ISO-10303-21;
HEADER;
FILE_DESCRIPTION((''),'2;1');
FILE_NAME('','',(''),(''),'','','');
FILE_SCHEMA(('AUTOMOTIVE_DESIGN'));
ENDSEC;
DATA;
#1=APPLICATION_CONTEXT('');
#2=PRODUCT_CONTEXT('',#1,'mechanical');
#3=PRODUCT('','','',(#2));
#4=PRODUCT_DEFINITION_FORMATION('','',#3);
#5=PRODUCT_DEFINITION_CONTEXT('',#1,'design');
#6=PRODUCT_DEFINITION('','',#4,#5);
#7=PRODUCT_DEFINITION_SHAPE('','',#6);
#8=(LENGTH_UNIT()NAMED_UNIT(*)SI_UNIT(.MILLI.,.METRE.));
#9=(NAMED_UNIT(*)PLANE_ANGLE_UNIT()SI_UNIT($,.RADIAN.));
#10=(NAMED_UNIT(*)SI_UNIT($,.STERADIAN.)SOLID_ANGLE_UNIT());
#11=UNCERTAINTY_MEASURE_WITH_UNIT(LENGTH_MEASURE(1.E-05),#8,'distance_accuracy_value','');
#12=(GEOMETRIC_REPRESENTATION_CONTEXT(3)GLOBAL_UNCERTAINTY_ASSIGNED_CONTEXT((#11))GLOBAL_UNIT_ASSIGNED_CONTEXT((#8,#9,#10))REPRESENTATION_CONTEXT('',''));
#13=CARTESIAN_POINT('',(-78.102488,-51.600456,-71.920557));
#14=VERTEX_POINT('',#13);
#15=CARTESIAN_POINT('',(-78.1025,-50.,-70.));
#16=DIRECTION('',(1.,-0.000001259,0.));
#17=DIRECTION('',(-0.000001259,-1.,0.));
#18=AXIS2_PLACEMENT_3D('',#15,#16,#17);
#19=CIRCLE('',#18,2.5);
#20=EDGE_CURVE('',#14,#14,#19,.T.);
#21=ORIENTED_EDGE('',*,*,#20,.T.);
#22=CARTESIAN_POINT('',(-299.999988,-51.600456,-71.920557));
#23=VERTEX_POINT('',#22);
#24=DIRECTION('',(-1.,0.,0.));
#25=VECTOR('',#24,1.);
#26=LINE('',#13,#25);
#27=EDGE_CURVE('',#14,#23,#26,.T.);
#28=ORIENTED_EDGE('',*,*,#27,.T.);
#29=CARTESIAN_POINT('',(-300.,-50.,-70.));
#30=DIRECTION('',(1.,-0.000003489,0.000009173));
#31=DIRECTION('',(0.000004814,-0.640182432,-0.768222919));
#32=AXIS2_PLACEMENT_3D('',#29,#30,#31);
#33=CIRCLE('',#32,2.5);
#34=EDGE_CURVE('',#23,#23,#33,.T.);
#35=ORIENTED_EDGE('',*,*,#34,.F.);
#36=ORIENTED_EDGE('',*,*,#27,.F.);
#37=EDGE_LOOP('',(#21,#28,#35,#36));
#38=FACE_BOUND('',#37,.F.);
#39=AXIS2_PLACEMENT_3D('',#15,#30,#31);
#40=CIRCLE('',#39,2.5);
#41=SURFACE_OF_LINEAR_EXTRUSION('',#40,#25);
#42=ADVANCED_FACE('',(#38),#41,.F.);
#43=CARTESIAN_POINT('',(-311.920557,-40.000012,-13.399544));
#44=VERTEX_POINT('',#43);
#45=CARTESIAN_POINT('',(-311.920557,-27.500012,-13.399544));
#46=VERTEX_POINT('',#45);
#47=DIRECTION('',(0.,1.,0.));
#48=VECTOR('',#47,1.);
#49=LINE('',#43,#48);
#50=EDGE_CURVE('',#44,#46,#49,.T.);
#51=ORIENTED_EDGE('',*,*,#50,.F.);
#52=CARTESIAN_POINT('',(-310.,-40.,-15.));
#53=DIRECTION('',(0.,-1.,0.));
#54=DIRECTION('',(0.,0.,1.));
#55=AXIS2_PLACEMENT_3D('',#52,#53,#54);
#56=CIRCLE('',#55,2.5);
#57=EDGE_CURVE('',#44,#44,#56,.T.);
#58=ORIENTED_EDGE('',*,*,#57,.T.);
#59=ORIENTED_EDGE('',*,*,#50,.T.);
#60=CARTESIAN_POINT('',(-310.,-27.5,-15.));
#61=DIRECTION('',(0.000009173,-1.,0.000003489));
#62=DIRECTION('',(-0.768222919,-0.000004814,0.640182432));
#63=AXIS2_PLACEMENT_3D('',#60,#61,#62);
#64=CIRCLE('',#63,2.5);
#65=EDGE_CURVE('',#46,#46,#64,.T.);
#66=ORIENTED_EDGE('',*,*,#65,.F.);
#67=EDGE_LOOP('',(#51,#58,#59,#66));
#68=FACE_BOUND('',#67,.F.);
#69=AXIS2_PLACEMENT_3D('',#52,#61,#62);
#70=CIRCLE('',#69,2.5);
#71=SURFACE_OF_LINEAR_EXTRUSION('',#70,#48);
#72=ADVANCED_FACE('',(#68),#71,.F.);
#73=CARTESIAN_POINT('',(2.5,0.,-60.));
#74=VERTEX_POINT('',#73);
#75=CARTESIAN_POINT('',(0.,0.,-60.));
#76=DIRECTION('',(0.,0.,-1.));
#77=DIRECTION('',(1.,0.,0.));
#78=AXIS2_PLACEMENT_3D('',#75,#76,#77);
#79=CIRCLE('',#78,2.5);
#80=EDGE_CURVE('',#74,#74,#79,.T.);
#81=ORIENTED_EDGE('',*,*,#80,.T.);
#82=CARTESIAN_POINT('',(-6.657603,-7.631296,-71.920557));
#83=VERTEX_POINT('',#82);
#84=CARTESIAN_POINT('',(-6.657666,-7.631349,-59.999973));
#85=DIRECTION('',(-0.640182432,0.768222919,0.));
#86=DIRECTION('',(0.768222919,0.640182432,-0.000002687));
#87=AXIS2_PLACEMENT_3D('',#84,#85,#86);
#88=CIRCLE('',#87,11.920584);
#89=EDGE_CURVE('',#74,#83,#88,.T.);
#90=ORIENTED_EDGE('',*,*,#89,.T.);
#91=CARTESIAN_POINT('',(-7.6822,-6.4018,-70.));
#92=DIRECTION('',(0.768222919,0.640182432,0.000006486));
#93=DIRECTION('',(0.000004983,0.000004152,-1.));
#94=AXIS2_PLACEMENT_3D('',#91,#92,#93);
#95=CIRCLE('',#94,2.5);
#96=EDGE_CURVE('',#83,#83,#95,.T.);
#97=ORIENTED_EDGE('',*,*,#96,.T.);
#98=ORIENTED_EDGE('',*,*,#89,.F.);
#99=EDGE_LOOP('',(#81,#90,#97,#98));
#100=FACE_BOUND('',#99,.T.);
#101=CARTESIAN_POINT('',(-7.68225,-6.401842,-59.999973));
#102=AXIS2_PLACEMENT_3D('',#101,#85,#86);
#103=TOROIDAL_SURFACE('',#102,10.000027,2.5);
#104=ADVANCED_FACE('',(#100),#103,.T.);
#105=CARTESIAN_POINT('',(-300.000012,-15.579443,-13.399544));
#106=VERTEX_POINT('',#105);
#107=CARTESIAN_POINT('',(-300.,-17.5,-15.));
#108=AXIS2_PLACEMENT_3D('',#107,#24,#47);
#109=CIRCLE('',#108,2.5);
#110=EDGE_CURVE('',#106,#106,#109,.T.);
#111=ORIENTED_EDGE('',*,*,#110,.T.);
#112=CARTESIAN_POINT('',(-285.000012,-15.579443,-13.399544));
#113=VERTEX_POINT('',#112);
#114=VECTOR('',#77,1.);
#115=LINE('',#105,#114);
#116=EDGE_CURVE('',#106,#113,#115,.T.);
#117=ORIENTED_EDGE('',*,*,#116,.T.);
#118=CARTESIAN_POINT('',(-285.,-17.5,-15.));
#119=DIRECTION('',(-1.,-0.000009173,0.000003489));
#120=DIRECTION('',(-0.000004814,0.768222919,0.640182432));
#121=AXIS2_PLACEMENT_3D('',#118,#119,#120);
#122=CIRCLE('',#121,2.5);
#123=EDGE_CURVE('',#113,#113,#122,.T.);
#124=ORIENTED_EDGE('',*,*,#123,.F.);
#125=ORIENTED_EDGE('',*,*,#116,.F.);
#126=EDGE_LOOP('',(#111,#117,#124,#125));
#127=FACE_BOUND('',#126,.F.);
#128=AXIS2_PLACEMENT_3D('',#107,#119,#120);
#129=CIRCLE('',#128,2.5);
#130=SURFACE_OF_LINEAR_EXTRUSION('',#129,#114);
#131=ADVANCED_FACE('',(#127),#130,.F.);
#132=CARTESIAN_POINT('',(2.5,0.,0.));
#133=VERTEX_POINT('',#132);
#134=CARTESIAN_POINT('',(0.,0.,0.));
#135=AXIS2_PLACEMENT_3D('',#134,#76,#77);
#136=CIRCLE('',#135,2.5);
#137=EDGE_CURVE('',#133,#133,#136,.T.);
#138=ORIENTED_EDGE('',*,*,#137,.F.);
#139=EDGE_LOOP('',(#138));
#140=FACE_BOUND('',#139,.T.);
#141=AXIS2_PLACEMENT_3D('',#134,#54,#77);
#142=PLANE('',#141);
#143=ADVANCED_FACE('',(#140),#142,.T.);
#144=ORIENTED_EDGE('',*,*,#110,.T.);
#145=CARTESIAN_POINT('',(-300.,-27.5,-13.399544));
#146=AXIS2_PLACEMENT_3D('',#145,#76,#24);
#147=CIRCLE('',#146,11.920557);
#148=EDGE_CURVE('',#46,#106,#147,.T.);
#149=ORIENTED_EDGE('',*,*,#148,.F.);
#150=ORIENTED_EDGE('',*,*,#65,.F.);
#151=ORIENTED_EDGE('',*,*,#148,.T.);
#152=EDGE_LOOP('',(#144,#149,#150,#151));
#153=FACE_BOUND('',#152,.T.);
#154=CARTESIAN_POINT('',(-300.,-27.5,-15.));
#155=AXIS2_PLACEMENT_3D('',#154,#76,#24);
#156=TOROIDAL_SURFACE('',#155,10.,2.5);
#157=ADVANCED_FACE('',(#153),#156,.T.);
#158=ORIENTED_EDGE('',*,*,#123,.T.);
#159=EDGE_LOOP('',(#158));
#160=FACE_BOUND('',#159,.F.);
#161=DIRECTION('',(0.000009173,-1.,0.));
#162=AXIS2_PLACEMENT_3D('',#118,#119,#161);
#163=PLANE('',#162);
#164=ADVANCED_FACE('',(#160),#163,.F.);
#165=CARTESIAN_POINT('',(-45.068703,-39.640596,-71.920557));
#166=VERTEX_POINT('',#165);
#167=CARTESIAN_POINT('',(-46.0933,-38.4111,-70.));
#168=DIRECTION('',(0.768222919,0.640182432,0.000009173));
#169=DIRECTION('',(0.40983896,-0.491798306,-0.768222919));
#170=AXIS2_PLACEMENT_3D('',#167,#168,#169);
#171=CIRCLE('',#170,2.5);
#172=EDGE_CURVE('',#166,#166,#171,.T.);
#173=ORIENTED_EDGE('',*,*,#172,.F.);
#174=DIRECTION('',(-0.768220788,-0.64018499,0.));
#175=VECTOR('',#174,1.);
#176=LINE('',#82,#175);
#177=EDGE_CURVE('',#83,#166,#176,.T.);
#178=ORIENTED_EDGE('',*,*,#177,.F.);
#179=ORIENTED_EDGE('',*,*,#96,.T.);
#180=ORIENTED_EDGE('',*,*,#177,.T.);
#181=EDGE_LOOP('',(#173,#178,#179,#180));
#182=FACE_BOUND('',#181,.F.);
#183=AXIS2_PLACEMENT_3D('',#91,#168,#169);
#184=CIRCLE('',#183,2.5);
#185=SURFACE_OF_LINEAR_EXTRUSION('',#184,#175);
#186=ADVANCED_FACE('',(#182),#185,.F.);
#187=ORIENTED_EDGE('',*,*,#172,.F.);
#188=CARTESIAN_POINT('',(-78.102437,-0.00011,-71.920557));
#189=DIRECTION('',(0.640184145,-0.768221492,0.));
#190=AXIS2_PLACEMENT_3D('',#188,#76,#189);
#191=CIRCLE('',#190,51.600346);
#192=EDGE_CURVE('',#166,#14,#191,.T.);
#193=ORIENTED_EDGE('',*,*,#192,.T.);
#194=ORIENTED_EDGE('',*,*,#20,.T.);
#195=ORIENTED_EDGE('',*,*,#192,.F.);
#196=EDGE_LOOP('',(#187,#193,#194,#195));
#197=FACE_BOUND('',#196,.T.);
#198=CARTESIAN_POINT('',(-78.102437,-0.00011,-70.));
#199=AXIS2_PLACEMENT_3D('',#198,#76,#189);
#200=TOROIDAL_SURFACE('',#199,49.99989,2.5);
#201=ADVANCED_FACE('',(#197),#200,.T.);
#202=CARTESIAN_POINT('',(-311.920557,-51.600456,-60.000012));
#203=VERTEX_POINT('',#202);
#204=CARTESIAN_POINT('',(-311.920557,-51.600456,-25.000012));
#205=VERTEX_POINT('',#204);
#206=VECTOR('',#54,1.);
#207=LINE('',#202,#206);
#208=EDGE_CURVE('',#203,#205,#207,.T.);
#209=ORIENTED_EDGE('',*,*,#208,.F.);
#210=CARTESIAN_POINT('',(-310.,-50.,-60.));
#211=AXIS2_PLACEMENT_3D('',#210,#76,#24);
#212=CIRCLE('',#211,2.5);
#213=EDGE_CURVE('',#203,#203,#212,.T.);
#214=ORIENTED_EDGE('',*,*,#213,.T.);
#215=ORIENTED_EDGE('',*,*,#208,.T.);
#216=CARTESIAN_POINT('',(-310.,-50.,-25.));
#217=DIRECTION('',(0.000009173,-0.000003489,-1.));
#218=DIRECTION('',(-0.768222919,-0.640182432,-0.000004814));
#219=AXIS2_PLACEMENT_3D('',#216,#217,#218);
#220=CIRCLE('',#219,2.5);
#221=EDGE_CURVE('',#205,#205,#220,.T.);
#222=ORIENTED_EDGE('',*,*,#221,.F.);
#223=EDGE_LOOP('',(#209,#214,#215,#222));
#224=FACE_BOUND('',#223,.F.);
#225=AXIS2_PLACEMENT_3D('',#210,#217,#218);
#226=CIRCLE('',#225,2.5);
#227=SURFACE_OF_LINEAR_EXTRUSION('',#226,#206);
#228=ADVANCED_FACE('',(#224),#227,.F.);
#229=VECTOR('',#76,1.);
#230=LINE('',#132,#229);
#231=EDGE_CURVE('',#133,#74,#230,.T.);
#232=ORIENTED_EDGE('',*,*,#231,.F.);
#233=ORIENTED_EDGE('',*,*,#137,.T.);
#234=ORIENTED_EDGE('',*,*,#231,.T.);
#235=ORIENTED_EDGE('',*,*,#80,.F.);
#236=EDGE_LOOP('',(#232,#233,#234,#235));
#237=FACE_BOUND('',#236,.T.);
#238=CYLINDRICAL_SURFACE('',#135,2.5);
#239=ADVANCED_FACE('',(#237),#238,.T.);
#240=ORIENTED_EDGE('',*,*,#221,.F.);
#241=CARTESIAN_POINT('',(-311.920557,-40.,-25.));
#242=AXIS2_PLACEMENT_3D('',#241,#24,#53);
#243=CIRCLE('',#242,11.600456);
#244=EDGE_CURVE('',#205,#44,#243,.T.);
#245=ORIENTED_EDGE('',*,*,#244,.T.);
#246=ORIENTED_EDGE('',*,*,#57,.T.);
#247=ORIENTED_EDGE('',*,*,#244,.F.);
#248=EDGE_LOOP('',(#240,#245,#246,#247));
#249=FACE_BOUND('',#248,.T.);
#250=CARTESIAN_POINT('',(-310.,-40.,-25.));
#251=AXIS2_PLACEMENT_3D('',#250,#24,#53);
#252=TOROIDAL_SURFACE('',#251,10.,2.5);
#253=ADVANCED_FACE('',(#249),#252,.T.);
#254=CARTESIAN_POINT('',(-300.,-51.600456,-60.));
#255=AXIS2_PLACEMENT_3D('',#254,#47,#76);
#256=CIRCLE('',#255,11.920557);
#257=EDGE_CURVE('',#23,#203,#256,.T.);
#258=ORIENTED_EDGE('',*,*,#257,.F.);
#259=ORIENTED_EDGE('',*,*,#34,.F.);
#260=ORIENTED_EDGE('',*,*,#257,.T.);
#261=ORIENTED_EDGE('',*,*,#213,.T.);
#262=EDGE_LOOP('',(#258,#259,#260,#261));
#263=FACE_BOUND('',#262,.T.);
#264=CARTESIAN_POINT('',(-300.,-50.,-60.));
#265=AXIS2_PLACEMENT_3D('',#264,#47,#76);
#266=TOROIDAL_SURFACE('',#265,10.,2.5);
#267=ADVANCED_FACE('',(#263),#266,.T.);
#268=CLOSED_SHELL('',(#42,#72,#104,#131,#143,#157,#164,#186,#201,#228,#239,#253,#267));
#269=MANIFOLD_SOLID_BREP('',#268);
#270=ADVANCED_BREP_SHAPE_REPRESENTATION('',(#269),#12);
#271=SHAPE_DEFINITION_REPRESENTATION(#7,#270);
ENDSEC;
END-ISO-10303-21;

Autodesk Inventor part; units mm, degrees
ref_plane "Work Plane1" through (0, 0, -70) normal (0, 0, 1) x (1, 0, 0)
ref_plane "Work Plane2" through (0, -50, 0) normal (0, 1, 0) x (-1, 0, 0)
ref_plane "Work Plane3" through (-310, 0, 0) normal (1, 0, 0) x (0, 1, 0)
sketch "Sketch2" plane through (0, 0, -70) normal (0, 0, 1) x (1, 0, 0)
  line L0 (0, 0) -> (-60, -50) construction
  line L1 (-60, -50) -> (-310, -50) construction
  line L2 (-310, 10) -> (-310, -60) construction
  dimension "d3" = 250
  dimension "d4" = 50
sketch "Sketch3" plane through (-310, 0, 0) normal (1, 0, 0) x (0, 1, 0)
  line L0 (-50, -70) -> (-50, -15) construction
  line L1 (-50, -15) -> (-17.5, -15) construction
  dimension "d5" = 55
  dimension "d6" = 32.5
ref_plane "Work Plane4" through (-310, -17.5, -15) normal (0, 1, 0) x (-1, 0, 0)
sketch "Sketch4" plane through (-310, -17.5, -15) normal (0, 1, 0) x (-1, 0, 0)
  line L0 (0, 0) -> (-25, 0) construction
  dimension "d7" = 25
sketch "Sketch5" plane through (0, 0, 0) normal (0, 0, 1) x (1, 0, 0)
  circle A0 centre (0, 0) radius 2.5
  dimension "d13" = 5
sketch3d "3D Sketch1"
  line L0 (0, 0, 0) -> (0, 0, -60)
  arc A0 (0, 0, -60) -> (-7.6822, -6.4018, -70) centre (-7.6822, -6.4018, -60) ccw
  line L1 (-7.6822, -6.4018, -70) -> (-46.0933, -38.4111, -70)
  arc A1 (-46.0933, -38.4111, -70) -> (-78.1025, -50, -70) centre (-78.1025, 0, -70) ccw
  line L2 (-78.1025, -50, -70) -> (-300, -50, -70)
  arc A2 (-300, -50, -70) -> (-310, -50, -60) centre (-300, -50, -60) ccw
  line L3 (-310, -50, -60) -> (-310, -50, -25)
  arc A3 (-310, -50, -25) -> (-310, -40, -15) centre (-310, -40, -25) ccw
  line L4 (-310, -40, -15) -> (-310, -27.5, -15)
  arc A4 (-310, -27.5, -15) -> (-300, -17.5, -15) centre (-300, -27.5, -15) ccw
  line L5 (-300, -17.5, -15) -> (-285, -17.5, -15)
  dimension "d8" = 10
  dimension "d9" = 10
  dimension "d10" = 10
  dimension "d11" = 10
  dimension "d12" = 50
sweep "Sweep1" add profiles "Sketch5" path "3D Sketch1"
equation "\"d9\" = d8"
equation "\"d10\" = d8"
equation "\"d11\" = d8"
properties part number "314-15" material "Steel"
